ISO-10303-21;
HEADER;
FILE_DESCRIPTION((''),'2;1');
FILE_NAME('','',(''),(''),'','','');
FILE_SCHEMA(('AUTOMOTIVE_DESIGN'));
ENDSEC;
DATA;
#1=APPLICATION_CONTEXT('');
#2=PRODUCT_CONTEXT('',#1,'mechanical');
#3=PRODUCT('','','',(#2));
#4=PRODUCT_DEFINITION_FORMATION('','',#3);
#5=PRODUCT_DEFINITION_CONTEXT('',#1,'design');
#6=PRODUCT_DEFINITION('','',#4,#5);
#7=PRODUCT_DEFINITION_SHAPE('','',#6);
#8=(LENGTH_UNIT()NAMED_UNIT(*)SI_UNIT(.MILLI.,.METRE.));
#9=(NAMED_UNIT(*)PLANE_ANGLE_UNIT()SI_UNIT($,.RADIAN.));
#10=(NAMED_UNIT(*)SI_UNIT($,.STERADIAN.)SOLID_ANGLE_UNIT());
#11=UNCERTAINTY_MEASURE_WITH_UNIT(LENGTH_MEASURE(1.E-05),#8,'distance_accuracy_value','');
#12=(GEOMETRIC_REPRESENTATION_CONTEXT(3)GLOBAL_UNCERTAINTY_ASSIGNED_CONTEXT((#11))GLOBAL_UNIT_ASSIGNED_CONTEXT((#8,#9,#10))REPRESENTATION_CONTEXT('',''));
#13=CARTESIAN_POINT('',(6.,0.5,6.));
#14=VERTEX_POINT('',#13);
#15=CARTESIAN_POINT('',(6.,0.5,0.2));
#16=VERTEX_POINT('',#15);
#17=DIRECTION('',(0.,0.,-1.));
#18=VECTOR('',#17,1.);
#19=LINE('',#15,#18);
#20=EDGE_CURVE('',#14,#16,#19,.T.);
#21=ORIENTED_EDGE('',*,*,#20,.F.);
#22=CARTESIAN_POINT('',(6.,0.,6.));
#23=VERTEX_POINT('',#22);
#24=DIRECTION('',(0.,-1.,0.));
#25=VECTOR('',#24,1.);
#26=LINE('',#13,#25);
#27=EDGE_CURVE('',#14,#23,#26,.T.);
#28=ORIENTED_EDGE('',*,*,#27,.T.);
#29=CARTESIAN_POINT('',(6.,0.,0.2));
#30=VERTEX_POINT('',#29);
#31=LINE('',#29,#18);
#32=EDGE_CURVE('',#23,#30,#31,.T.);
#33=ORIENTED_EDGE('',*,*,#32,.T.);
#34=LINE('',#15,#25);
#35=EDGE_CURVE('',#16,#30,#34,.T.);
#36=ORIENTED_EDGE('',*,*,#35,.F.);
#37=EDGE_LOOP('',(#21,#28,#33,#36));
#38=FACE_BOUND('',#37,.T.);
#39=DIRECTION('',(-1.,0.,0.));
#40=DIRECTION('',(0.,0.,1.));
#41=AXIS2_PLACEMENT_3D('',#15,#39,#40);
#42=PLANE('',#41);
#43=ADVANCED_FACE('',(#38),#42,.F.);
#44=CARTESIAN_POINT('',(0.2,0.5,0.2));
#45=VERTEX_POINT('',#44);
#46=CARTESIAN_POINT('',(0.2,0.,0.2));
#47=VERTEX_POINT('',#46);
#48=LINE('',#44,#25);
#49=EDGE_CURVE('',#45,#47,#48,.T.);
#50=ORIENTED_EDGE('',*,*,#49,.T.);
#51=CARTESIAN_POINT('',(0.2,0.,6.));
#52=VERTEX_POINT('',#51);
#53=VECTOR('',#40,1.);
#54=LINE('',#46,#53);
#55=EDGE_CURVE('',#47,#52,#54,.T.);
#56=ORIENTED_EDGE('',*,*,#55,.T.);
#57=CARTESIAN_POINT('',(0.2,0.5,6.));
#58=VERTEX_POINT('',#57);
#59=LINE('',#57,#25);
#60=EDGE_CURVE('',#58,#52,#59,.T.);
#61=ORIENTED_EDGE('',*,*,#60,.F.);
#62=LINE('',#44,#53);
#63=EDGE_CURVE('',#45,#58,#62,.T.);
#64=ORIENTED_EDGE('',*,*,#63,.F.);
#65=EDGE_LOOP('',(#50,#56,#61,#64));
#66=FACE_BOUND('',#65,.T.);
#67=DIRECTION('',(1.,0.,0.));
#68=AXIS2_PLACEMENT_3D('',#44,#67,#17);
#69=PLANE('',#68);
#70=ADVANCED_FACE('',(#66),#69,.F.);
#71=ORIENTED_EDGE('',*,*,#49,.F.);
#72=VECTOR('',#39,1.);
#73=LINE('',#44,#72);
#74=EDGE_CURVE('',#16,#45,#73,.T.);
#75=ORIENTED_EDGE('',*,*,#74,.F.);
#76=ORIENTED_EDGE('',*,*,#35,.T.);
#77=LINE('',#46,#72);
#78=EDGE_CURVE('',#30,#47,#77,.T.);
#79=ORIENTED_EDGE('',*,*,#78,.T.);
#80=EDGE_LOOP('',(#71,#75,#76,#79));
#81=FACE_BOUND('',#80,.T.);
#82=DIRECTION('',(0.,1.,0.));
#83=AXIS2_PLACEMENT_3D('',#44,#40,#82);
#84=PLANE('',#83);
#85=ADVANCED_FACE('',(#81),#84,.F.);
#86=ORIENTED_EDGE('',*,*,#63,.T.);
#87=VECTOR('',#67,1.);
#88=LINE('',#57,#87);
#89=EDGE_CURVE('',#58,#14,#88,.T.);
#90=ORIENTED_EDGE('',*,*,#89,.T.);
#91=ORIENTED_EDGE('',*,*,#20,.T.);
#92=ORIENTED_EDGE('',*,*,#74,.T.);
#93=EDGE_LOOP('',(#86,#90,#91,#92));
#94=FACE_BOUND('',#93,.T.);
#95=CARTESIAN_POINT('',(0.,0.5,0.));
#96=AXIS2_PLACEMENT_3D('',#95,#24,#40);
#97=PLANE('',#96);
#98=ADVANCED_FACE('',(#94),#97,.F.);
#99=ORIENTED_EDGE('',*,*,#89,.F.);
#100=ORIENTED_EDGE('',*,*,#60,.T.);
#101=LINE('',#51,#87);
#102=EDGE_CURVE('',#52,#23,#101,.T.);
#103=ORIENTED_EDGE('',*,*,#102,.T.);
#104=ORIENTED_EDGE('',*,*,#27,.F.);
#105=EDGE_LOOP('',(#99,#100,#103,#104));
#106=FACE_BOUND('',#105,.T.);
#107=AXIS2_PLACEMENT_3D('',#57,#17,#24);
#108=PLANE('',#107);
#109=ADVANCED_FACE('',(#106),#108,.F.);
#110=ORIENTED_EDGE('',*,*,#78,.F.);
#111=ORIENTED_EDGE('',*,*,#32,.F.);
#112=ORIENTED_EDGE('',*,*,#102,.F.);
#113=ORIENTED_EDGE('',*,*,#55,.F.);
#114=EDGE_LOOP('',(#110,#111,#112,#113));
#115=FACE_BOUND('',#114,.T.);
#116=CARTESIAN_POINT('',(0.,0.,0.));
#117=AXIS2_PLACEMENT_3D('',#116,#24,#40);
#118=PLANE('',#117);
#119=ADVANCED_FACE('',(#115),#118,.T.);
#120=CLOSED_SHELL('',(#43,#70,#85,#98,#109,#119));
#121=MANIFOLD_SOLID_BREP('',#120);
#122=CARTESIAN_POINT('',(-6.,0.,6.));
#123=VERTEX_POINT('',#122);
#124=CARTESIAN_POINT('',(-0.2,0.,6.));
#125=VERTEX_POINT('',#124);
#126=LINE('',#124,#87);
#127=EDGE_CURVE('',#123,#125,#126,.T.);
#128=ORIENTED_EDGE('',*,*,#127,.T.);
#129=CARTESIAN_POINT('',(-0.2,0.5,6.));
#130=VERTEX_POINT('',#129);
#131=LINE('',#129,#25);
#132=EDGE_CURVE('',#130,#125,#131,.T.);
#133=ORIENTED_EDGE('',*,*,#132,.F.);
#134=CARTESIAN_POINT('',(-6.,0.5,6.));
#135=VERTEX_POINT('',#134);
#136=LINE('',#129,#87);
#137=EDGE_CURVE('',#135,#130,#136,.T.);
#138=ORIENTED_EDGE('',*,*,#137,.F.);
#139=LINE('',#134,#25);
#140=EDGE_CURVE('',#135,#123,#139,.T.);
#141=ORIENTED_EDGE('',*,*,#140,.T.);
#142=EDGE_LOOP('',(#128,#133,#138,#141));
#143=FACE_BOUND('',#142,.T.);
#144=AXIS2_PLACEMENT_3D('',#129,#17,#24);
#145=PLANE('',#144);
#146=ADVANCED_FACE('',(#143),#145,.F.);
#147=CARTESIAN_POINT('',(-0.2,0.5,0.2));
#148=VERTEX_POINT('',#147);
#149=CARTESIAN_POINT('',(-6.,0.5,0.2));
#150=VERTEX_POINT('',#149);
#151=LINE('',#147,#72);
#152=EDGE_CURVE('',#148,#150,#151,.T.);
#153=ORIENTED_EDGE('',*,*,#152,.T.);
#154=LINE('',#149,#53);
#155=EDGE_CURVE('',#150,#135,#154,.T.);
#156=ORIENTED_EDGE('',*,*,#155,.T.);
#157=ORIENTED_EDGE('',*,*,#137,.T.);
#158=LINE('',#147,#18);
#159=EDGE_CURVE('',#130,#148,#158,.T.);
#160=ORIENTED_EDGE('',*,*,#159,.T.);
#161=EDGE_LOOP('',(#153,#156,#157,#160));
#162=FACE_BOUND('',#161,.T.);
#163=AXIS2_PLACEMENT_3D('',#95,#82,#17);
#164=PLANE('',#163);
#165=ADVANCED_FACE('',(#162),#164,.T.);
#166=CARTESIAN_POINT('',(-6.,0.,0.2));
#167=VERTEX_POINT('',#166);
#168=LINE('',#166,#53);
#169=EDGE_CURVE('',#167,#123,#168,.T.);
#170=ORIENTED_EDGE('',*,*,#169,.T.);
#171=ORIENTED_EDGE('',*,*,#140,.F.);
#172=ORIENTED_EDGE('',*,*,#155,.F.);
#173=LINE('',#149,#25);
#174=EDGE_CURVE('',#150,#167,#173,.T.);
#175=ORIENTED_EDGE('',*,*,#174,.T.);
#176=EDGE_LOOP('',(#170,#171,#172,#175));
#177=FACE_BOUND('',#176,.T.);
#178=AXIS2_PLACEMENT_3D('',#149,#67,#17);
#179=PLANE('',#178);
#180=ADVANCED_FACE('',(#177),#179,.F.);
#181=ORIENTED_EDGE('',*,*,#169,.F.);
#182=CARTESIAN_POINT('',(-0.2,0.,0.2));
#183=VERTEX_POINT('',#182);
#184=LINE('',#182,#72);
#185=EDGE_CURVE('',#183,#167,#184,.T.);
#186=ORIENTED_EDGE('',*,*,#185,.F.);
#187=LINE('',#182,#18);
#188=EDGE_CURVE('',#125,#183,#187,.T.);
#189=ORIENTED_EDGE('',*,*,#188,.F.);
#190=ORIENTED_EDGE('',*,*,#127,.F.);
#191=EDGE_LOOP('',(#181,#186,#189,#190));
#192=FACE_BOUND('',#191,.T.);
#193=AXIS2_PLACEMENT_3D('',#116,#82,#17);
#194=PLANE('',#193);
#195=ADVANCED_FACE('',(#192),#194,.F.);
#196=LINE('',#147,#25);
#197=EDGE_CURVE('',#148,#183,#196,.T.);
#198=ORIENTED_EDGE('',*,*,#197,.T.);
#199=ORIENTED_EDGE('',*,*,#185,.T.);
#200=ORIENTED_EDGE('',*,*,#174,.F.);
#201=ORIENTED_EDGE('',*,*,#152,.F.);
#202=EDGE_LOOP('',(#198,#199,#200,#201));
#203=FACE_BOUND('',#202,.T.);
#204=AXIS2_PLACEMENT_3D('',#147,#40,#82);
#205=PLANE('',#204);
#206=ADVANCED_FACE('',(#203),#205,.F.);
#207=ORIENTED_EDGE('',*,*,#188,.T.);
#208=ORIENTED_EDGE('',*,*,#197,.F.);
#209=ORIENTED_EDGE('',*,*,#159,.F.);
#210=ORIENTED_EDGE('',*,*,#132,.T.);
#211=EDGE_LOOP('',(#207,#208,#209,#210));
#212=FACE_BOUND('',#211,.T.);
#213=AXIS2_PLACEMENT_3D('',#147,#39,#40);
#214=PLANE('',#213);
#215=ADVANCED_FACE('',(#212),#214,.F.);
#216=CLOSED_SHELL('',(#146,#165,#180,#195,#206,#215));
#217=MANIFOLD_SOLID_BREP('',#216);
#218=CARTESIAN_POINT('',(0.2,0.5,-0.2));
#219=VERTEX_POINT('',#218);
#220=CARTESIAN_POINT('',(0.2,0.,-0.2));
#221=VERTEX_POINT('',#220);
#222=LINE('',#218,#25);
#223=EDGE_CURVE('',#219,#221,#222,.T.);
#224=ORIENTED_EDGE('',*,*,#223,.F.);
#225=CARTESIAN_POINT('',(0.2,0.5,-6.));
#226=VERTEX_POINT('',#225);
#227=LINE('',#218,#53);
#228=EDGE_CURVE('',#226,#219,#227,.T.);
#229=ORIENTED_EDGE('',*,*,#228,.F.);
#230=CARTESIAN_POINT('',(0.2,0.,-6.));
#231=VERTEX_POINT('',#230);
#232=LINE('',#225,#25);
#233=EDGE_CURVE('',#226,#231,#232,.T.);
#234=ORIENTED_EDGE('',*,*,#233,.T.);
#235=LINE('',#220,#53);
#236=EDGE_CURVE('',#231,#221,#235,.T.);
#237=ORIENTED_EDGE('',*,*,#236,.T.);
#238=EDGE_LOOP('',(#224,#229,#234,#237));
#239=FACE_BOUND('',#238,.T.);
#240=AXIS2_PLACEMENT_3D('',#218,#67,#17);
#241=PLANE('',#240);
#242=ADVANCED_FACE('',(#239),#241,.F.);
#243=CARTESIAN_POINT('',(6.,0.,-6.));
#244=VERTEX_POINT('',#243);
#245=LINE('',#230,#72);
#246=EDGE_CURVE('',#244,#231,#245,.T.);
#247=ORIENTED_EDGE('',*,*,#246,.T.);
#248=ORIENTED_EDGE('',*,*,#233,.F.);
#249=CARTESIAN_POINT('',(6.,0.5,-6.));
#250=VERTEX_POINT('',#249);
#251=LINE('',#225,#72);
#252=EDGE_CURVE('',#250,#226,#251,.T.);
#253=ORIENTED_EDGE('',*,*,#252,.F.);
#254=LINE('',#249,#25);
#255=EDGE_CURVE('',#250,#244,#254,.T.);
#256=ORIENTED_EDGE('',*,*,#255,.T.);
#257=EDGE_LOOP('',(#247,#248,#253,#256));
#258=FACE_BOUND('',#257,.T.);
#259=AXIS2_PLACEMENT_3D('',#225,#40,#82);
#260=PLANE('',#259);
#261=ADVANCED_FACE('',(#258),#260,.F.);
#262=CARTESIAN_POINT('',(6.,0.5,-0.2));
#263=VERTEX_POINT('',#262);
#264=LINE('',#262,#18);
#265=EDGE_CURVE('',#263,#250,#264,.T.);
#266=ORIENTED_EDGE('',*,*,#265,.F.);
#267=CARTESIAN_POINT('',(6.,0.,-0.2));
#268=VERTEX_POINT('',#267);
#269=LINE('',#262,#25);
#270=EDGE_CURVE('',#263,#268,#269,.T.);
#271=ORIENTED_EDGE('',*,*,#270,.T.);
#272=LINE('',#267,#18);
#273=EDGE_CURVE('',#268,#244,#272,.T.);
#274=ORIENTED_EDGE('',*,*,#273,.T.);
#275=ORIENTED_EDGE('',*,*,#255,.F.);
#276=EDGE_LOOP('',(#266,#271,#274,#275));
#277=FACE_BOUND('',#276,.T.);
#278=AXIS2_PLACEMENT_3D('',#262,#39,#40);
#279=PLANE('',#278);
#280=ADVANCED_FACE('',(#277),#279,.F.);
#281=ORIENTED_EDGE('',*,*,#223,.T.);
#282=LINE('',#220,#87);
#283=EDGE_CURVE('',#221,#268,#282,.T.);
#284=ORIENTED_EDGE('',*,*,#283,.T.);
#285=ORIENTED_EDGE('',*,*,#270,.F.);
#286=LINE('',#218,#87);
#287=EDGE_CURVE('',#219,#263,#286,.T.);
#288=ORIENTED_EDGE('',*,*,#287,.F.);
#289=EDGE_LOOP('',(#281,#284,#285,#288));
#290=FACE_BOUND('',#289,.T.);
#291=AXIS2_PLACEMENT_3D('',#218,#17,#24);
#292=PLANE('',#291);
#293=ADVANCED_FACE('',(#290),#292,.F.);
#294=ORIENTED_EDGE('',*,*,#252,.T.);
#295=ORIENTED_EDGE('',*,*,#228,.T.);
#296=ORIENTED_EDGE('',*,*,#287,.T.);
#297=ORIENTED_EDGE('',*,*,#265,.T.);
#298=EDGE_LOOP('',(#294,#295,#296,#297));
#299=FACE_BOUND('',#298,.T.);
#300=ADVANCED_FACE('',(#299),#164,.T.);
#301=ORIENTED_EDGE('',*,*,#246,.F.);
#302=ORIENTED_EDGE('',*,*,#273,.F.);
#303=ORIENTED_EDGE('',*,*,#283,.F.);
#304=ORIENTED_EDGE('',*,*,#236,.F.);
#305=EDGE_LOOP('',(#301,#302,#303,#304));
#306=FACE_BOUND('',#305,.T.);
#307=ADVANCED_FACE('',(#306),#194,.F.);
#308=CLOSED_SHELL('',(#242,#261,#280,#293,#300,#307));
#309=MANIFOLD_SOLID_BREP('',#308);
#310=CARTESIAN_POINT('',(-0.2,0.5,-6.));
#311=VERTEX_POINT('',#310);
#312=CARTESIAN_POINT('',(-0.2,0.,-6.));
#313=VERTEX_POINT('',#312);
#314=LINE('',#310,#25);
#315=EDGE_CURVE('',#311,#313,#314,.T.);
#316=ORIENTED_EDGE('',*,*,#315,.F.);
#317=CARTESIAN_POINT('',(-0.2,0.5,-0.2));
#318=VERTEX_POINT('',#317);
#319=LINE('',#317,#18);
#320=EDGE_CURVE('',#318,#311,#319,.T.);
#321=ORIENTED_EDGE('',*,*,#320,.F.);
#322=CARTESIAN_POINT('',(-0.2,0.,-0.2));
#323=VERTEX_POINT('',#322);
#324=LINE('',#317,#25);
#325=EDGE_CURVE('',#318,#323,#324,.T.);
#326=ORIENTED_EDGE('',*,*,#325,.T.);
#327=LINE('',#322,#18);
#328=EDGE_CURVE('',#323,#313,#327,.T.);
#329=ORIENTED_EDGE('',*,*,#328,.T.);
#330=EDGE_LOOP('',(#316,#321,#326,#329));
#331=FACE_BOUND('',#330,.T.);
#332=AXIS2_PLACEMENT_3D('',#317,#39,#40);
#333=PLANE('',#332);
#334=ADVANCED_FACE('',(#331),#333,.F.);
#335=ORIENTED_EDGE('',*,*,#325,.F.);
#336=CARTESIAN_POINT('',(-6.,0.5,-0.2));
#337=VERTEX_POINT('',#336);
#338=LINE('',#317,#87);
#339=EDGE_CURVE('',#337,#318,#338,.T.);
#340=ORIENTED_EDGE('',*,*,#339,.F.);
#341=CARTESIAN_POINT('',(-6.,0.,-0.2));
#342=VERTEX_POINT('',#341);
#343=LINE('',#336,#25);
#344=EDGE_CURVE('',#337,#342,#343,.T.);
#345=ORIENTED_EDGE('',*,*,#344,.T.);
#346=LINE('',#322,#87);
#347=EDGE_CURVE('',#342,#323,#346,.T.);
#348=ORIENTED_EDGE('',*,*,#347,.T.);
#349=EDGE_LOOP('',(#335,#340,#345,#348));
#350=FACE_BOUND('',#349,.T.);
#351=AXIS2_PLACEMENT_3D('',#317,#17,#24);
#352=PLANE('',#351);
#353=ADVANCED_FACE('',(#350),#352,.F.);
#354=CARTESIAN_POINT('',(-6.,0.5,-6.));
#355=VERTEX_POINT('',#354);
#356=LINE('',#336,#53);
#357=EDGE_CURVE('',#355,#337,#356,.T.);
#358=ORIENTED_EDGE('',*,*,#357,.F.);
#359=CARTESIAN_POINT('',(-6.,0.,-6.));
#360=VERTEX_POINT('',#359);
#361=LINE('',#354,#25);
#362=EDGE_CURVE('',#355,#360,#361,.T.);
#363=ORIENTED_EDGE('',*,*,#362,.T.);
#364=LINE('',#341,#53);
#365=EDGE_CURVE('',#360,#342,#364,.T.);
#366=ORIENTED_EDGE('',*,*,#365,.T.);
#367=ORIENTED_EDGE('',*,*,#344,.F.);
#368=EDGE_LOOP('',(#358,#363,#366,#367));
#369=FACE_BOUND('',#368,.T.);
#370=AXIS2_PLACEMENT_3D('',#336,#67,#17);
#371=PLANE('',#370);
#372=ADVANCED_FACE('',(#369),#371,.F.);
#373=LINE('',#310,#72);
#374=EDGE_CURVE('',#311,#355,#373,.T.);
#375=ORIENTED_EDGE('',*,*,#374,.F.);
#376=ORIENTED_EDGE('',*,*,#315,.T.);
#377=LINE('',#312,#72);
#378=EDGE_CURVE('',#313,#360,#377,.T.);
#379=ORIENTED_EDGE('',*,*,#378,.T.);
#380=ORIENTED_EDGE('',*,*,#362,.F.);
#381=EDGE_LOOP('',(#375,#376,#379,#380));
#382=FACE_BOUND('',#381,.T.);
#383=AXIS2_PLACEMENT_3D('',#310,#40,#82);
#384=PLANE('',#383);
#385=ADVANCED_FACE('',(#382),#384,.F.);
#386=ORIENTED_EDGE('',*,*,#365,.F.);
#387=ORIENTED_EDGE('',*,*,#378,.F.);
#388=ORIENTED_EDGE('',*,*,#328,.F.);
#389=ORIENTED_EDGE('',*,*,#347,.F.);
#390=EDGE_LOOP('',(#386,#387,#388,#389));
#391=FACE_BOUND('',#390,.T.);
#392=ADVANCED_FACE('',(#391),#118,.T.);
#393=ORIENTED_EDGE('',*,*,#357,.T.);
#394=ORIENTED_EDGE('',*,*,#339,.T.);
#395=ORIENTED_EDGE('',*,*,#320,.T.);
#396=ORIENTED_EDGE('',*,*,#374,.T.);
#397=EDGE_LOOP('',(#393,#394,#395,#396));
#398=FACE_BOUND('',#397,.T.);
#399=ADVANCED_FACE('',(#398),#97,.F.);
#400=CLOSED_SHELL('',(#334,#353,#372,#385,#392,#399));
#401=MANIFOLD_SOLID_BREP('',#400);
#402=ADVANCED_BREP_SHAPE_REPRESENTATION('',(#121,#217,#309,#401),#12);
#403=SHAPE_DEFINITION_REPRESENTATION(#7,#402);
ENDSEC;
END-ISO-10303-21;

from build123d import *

# Parameters (mm, degrees)
SKETCH_3_W        = 5.8
SKETCH_3_H        = 5.8
EXTRUDE_1_DEPTH   = 0.5
EXTRUDE_1_2_DEPTH = 0.5
EXTRUDE_1_3_DEPTH = 0.5
EXTRUDE_1_4_DEPTH = 0.5
MOVE_BODY_2_ANGLE = 90


with BuildPart() as part:
    # 草图3 → 凸台-拉伸1 (new body)
    with BuildSketch(Plane(origin=(0, 0, 0), x_dir=(0, 0, -1), z_dir=(1, 0, 0))):
        with Locations((3.1, 3.1)):
            Rectangle(SKETCH_3_W, SKETCH_3_H)
    extrude(amount=EXTRUDE_1_DEPTH)


with BuildPart() as body_2:
    # 草图3 → Extrude 1 2 (new body)
    with BuildSketch(Plane(origin=(0, 0, 0), x_dir=(0, 0, -1), z_dir=(1, 0, 0))):
        with Locations((-3.1, -3.1)):
            Rectangle(SKETCH_3_W, SKETCH_3_H)
    extrude(amount=EXTRUDE_1_2_DEPTH)


with BuildPart() as body_3:
    # 草图3 → Extrude 1 3 (new body)
    with BuildSketch(Plane(origin=(0, 0, 0), x_dir=(0, 0, -1), z_dir=(1, 0, 0))):
        with Locations((3.1, -3.1)):
            Rectangle(SKETCH_3_W, SKETCH_3_H)
    extrude(amount=EXTRUDE_1_3_DEPTH)


with BuildPart() as body_4:
    # 草图3 → Extrude 1 4 (new body)
    with BuildSketch(Plane(origin=(0, 0, 0), x_dir=(0, 0, -1), z_dir=(1, 0, 0))):
        with Locations((-3.1, 3.1)):
            Rectangle(SKETCH_3_W, SKETCH_3_H)
    extrude(amount=EXTRUDE_1_4_DEPTH)


with BuildPart() as body_2_1:
    # Move Body 2: moved
    add(body_2.part.rotate(Axis((0, 0, 0), (0, 0, 1)), MOVE_BODY_2_ANGLE))


with BuildPart() as body_4_1:
    # Move Body 2: moved
    add(body_4.part.rotate(Axis((0, 0, 0), (0, 0, 1)), MOVE_BODY_2_ANGLE))


with BuildPart() as part_1:
    # Move Body 2: moved
    add(part.part.rotate(Axis((0, 0, 0), (0, 0, 1)), MOVE_BODY_2_ANGLE))


with BuildPart() as body_3_1:
    # Move Body 2: moved
    add(body_3.part.rotate(Axis((0, 0, 0), (0, 0, 1)), MOVE_BODY_2_ANGLE))


solid = Compound([body_2_1.part, body_4_1.part, part_1.part, body_3_1.part])
